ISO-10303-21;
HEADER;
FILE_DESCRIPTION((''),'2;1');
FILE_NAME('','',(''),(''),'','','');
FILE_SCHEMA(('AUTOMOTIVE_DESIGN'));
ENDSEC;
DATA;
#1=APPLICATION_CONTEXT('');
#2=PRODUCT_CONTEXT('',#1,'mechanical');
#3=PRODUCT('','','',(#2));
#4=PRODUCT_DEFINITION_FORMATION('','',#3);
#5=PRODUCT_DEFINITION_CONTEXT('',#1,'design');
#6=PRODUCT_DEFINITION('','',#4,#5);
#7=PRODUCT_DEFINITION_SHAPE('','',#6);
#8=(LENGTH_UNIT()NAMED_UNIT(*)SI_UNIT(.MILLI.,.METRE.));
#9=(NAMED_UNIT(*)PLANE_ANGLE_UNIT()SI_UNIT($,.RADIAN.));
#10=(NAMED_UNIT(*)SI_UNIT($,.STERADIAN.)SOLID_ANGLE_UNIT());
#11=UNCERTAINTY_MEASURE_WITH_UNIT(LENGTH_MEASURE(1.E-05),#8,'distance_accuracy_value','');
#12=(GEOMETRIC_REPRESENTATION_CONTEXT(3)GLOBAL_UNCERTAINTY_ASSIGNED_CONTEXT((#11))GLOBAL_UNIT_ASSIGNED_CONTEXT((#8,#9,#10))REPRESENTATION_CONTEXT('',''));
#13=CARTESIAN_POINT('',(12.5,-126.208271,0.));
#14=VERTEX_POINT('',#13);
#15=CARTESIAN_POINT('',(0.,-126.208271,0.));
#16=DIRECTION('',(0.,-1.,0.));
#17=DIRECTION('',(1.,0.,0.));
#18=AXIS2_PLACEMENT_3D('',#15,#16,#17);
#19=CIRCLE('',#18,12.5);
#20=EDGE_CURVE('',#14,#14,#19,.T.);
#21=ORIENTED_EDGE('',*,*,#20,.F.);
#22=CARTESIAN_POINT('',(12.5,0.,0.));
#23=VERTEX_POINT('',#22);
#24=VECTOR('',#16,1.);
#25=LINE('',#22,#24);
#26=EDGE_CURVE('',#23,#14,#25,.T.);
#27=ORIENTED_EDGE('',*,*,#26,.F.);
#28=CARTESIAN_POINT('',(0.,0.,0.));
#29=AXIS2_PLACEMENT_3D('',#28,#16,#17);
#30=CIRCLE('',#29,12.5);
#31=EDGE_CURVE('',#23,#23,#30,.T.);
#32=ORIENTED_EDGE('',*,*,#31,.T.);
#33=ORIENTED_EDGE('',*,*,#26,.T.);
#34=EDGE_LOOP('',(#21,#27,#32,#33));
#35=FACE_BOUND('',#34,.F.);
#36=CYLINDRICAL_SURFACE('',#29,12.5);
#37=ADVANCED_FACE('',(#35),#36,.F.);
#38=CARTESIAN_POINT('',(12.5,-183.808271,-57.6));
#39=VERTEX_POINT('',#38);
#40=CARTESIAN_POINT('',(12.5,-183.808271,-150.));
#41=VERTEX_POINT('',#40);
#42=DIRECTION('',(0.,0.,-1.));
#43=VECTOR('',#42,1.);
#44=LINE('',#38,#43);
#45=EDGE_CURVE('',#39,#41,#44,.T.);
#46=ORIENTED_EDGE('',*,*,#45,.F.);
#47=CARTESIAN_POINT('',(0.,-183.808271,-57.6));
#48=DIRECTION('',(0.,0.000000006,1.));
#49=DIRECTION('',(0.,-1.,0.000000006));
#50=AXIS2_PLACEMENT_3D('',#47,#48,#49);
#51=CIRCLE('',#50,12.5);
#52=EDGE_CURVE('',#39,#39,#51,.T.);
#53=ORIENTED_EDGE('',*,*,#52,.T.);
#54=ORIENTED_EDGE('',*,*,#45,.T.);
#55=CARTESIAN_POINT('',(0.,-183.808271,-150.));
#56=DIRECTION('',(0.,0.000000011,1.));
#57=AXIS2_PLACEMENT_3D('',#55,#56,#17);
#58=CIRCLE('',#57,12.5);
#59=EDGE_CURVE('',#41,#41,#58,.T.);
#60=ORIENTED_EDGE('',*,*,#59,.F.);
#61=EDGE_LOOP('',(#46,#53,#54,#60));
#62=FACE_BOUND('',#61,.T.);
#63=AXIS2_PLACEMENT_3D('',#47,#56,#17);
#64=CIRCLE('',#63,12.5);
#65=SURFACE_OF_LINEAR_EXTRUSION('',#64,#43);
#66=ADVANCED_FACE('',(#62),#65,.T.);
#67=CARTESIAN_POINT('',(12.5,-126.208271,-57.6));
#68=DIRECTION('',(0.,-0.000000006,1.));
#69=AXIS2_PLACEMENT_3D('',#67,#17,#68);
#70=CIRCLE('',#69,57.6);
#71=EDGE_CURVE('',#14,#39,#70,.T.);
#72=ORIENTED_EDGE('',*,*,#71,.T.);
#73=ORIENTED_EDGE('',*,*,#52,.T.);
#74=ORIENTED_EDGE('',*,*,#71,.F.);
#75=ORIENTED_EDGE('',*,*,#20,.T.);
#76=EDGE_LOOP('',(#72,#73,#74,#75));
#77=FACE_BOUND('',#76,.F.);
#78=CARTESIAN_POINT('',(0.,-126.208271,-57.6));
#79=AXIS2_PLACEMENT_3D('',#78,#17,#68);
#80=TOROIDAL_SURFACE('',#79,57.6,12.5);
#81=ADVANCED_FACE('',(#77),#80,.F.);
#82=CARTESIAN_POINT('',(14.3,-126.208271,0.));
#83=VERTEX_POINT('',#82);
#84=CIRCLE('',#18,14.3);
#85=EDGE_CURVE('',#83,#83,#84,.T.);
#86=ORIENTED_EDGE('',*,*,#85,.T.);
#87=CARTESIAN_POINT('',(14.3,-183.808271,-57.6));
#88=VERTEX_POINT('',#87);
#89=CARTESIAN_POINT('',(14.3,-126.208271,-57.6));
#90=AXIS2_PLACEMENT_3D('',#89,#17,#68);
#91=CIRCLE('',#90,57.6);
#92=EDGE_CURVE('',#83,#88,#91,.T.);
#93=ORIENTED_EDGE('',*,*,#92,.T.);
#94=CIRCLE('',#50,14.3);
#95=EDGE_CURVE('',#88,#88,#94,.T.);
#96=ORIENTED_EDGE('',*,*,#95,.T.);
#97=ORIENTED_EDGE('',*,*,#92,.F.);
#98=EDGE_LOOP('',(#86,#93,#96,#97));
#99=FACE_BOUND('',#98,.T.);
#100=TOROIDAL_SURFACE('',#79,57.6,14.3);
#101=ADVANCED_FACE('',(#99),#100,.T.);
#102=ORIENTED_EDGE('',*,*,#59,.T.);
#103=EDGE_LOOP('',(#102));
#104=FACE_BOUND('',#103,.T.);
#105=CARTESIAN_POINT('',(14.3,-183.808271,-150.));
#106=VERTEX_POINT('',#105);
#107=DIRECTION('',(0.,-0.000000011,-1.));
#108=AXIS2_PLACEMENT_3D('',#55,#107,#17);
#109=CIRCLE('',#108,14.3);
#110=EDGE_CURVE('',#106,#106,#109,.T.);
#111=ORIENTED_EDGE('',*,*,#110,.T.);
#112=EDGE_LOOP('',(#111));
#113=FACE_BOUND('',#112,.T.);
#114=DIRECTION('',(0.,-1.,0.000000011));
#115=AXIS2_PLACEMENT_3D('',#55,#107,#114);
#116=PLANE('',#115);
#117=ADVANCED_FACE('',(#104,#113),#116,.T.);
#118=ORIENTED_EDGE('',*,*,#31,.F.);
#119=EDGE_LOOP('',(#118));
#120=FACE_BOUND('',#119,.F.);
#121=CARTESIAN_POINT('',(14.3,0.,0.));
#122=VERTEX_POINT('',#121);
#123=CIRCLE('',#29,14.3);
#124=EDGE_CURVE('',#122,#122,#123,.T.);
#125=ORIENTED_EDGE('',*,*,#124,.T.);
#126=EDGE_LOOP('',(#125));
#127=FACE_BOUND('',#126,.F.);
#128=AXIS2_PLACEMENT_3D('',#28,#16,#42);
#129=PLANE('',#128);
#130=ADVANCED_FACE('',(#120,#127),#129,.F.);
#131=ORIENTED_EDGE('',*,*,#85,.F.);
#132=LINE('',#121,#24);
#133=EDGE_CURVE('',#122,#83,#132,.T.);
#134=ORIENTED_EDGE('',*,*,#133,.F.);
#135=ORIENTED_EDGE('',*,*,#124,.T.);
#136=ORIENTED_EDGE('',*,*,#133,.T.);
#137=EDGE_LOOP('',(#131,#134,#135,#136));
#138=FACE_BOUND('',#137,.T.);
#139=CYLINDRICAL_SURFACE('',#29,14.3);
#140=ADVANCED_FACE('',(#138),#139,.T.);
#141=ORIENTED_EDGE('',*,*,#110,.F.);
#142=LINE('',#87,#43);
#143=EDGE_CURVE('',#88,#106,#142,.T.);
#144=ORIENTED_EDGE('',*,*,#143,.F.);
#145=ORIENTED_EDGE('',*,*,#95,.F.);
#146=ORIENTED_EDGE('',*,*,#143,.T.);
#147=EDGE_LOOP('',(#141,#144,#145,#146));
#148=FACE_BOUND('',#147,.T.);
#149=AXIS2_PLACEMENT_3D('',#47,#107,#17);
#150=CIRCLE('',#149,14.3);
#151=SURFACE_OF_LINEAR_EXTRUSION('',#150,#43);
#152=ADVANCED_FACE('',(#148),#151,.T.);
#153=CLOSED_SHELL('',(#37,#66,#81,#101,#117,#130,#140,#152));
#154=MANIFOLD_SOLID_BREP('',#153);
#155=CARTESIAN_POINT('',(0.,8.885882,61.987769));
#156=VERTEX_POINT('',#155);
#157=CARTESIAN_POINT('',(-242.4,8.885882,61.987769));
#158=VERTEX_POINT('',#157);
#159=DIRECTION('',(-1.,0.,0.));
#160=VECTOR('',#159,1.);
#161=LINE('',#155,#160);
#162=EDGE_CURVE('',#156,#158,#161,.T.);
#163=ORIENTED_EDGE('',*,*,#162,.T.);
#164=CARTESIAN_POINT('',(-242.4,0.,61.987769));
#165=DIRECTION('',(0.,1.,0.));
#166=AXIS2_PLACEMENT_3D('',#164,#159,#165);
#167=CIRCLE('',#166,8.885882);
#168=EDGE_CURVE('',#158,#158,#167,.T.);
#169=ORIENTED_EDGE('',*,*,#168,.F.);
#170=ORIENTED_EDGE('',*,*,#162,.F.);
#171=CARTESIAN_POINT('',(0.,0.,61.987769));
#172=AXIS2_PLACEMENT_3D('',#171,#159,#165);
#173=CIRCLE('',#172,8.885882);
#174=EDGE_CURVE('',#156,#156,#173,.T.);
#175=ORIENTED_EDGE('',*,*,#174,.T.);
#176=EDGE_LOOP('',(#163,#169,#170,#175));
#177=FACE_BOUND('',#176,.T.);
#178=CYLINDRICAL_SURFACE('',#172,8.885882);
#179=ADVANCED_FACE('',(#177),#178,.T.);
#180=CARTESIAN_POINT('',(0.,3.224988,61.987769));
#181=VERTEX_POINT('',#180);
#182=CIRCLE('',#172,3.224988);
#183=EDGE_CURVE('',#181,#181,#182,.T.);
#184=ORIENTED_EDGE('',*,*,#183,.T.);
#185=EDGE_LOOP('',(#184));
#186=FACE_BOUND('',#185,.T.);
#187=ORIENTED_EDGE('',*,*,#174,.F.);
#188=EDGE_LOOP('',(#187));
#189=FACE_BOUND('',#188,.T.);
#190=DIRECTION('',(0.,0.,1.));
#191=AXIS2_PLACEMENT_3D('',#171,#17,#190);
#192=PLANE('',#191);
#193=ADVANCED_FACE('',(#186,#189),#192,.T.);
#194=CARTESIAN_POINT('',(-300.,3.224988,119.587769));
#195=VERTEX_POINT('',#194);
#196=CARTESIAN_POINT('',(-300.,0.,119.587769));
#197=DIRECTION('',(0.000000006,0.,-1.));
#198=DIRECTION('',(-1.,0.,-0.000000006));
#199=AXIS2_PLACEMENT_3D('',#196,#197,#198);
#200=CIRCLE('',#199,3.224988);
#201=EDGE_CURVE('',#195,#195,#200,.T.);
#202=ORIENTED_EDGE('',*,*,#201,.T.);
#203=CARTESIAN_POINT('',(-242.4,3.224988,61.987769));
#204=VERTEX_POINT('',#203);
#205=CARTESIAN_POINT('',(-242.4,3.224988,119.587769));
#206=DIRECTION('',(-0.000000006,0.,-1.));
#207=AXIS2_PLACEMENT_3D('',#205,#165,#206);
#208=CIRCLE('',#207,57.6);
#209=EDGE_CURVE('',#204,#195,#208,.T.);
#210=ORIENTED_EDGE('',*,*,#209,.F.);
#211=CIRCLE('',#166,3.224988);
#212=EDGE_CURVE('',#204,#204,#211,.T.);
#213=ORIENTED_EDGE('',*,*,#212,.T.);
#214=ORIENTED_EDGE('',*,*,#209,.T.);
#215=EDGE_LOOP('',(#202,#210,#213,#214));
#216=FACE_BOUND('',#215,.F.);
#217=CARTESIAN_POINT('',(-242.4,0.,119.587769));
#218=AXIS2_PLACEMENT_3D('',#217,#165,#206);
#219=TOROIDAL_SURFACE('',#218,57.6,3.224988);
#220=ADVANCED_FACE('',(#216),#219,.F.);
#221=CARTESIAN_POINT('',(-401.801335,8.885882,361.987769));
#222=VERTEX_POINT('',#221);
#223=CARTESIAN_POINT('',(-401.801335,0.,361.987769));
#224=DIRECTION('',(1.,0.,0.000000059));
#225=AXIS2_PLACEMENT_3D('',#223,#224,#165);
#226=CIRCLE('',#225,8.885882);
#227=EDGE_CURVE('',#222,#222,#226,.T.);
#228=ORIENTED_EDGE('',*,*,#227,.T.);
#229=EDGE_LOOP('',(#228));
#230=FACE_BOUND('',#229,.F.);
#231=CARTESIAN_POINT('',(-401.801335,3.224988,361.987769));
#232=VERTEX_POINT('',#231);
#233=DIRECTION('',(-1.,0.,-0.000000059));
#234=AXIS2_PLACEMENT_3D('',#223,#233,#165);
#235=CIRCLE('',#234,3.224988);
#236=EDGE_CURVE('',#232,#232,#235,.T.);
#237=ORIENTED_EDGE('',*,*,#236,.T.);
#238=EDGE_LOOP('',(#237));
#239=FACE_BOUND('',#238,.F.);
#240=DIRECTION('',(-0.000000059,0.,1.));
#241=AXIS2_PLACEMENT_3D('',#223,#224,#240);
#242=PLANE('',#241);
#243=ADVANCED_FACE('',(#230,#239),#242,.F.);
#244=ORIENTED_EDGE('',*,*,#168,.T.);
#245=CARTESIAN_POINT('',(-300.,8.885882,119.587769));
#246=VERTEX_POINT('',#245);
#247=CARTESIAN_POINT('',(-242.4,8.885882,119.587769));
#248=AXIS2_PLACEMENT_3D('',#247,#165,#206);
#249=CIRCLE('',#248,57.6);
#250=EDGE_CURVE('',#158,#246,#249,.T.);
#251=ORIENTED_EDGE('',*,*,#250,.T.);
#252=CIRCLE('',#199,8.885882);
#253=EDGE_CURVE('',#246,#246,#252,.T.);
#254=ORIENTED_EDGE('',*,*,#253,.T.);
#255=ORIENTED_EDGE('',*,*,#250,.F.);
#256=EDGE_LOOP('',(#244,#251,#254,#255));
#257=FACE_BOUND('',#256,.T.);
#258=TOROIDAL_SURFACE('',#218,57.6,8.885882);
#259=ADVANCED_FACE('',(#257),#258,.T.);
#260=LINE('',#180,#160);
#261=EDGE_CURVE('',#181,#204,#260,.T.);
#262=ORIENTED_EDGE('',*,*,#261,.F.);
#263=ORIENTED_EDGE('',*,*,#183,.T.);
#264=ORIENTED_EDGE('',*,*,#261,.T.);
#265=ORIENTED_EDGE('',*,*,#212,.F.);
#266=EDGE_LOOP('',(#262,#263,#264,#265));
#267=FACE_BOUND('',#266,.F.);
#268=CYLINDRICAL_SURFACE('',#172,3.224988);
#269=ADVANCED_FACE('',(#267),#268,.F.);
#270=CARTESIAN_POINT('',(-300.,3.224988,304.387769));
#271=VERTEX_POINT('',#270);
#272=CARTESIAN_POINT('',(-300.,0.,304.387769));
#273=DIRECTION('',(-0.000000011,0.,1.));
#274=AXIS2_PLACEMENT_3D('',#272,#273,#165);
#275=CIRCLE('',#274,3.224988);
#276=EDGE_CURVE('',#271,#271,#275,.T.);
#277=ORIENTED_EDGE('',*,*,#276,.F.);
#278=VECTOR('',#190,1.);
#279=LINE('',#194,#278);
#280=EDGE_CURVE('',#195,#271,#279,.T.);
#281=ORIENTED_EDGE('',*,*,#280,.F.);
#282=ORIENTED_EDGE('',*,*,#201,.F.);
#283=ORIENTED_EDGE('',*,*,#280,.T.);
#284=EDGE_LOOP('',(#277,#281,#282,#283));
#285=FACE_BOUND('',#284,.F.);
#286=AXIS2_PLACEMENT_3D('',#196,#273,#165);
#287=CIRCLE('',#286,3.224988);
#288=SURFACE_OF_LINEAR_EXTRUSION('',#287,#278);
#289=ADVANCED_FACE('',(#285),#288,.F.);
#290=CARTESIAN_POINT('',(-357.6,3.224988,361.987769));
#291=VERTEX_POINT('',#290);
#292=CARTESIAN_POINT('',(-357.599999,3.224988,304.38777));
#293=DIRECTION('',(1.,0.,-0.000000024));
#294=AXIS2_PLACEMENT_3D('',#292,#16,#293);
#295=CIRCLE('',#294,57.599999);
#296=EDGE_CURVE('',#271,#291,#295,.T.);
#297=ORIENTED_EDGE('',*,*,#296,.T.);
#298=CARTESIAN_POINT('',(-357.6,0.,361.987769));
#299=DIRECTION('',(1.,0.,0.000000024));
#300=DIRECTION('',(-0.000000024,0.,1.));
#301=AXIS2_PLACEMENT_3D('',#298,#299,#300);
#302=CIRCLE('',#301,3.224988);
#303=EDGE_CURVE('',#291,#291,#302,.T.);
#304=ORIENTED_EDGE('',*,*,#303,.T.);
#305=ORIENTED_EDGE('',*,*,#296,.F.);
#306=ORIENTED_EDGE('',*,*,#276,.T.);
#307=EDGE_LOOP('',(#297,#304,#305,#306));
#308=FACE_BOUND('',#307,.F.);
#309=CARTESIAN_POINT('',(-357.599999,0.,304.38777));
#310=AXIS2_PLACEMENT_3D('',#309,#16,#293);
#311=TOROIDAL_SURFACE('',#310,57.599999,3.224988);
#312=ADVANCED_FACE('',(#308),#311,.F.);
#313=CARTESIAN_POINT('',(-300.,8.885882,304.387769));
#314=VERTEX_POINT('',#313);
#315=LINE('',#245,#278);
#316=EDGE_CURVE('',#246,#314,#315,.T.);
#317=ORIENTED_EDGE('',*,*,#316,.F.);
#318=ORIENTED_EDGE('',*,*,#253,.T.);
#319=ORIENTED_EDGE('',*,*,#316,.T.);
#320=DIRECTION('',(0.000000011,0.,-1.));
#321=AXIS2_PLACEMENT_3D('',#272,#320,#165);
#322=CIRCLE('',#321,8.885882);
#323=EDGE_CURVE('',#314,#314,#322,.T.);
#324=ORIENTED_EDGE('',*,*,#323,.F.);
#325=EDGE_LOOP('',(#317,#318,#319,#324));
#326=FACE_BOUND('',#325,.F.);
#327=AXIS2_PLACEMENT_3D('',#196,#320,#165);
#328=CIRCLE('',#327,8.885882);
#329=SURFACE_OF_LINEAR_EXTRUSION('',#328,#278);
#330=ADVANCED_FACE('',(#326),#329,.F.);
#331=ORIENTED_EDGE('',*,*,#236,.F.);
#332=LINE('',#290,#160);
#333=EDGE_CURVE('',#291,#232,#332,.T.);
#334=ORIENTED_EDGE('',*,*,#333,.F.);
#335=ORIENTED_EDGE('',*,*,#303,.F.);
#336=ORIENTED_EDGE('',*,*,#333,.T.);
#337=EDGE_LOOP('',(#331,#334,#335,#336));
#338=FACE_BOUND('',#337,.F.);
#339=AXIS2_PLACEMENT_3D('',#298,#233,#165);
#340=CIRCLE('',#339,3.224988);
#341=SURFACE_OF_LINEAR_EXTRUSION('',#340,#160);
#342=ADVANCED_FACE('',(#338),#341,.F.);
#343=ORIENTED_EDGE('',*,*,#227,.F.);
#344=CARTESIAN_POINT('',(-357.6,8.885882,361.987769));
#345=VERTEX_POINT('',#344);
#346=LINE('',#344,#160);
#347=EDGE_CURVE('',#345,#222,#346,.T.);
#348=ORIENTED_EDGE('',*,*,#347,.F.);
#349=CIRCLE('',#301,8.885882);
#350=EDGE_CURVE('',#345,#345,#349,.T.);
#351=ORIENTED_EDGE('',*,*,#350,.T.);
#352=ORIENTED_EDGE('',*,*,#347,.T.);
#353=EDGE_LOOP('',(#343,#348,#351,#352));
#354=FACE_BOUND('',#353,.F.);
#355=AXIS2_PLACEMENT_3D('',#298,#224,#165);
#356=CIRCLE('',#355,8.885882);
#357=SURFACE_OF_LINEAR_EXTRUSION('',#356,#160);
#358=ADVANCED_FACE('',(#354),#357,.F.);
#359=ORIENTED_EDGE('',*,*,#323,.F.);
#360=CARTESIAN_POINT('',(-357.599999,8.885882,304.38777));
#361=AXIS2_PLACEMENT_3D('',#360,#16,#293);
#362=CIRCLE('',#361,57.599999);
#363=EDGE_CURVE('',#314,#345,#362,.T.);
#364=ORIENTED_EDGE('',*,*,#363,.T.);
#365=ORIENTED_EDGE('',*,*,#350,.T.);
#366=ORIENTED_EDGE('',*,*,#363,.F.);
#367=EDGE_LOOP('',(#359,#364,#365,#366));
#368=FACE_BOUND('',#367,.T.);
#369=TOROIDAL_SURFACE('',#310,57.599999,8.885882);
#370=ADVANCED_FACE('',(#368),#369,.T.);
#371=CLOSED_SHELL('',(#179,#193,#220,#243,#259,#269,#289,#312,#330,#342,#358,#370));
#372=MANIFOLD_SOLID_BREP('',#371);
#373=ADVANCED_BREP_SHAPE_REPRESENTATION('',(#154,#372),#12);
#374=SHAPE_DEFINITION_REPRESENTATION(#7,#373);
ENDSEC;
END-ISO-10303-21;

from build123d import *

# Parameters (mm, degrees)
F0_R   = 14.3
F0_R_2 = 12.5
F3_R   = 8.885882
F3_R_2 = 3.224988


with BuildPart() as f2:
    # F2: sweep along a path in F1
    with BuildLine(Plane.YZ) as f2_path:
        Line((0, 0), (-126.208271, 0))
        ThreePointArc((-126.208271, 0), (-166.937621, -16.870649), (-183.808271, -57.6))
        Line((-183.808271, -57.6), (-183.808271, -150))
    # F0 (on Front) → F2 (sweep)
    with BuildSketch(Plane.XZ):
        Circle(F0_R)
        Circle(F0_R_2, mode=Mode.SUBTRACT)
    sweep(path=f2_path.line)


with BuildPart() as f5:
    # F5: sweep along a path in F4
    with BuildLine(Plane.XZ) as f5_path:
        Line((0, 61.987769), (-242.4, 61.987769))
        ThreePointArc((-242.4, 61.987769), (-283.129351, 78.858419), (-300, 119.587769))
        Line((-300, 119.587769), (-300, 304.387769))
        ThreePointArc((-300, 304.387769), (-316.870649, 345.11712), (-357.6, 361.987769))
        Line((-357.6, 361.987769), (-401.801335, 361.987769))
    # F3 (on Right) → F5 (sweep)
    with BuildSketch(Plane.YZ):
        with Locations((0, 61.987769)):
            Circle(F3_R)
        with Locations((0, 61.987769)):
            Circle(F3_R_2, mode=Mode.SUBTRACT)
    sweep(path=f5_path.line)


solid = Compound([f2.part, f5.part])
